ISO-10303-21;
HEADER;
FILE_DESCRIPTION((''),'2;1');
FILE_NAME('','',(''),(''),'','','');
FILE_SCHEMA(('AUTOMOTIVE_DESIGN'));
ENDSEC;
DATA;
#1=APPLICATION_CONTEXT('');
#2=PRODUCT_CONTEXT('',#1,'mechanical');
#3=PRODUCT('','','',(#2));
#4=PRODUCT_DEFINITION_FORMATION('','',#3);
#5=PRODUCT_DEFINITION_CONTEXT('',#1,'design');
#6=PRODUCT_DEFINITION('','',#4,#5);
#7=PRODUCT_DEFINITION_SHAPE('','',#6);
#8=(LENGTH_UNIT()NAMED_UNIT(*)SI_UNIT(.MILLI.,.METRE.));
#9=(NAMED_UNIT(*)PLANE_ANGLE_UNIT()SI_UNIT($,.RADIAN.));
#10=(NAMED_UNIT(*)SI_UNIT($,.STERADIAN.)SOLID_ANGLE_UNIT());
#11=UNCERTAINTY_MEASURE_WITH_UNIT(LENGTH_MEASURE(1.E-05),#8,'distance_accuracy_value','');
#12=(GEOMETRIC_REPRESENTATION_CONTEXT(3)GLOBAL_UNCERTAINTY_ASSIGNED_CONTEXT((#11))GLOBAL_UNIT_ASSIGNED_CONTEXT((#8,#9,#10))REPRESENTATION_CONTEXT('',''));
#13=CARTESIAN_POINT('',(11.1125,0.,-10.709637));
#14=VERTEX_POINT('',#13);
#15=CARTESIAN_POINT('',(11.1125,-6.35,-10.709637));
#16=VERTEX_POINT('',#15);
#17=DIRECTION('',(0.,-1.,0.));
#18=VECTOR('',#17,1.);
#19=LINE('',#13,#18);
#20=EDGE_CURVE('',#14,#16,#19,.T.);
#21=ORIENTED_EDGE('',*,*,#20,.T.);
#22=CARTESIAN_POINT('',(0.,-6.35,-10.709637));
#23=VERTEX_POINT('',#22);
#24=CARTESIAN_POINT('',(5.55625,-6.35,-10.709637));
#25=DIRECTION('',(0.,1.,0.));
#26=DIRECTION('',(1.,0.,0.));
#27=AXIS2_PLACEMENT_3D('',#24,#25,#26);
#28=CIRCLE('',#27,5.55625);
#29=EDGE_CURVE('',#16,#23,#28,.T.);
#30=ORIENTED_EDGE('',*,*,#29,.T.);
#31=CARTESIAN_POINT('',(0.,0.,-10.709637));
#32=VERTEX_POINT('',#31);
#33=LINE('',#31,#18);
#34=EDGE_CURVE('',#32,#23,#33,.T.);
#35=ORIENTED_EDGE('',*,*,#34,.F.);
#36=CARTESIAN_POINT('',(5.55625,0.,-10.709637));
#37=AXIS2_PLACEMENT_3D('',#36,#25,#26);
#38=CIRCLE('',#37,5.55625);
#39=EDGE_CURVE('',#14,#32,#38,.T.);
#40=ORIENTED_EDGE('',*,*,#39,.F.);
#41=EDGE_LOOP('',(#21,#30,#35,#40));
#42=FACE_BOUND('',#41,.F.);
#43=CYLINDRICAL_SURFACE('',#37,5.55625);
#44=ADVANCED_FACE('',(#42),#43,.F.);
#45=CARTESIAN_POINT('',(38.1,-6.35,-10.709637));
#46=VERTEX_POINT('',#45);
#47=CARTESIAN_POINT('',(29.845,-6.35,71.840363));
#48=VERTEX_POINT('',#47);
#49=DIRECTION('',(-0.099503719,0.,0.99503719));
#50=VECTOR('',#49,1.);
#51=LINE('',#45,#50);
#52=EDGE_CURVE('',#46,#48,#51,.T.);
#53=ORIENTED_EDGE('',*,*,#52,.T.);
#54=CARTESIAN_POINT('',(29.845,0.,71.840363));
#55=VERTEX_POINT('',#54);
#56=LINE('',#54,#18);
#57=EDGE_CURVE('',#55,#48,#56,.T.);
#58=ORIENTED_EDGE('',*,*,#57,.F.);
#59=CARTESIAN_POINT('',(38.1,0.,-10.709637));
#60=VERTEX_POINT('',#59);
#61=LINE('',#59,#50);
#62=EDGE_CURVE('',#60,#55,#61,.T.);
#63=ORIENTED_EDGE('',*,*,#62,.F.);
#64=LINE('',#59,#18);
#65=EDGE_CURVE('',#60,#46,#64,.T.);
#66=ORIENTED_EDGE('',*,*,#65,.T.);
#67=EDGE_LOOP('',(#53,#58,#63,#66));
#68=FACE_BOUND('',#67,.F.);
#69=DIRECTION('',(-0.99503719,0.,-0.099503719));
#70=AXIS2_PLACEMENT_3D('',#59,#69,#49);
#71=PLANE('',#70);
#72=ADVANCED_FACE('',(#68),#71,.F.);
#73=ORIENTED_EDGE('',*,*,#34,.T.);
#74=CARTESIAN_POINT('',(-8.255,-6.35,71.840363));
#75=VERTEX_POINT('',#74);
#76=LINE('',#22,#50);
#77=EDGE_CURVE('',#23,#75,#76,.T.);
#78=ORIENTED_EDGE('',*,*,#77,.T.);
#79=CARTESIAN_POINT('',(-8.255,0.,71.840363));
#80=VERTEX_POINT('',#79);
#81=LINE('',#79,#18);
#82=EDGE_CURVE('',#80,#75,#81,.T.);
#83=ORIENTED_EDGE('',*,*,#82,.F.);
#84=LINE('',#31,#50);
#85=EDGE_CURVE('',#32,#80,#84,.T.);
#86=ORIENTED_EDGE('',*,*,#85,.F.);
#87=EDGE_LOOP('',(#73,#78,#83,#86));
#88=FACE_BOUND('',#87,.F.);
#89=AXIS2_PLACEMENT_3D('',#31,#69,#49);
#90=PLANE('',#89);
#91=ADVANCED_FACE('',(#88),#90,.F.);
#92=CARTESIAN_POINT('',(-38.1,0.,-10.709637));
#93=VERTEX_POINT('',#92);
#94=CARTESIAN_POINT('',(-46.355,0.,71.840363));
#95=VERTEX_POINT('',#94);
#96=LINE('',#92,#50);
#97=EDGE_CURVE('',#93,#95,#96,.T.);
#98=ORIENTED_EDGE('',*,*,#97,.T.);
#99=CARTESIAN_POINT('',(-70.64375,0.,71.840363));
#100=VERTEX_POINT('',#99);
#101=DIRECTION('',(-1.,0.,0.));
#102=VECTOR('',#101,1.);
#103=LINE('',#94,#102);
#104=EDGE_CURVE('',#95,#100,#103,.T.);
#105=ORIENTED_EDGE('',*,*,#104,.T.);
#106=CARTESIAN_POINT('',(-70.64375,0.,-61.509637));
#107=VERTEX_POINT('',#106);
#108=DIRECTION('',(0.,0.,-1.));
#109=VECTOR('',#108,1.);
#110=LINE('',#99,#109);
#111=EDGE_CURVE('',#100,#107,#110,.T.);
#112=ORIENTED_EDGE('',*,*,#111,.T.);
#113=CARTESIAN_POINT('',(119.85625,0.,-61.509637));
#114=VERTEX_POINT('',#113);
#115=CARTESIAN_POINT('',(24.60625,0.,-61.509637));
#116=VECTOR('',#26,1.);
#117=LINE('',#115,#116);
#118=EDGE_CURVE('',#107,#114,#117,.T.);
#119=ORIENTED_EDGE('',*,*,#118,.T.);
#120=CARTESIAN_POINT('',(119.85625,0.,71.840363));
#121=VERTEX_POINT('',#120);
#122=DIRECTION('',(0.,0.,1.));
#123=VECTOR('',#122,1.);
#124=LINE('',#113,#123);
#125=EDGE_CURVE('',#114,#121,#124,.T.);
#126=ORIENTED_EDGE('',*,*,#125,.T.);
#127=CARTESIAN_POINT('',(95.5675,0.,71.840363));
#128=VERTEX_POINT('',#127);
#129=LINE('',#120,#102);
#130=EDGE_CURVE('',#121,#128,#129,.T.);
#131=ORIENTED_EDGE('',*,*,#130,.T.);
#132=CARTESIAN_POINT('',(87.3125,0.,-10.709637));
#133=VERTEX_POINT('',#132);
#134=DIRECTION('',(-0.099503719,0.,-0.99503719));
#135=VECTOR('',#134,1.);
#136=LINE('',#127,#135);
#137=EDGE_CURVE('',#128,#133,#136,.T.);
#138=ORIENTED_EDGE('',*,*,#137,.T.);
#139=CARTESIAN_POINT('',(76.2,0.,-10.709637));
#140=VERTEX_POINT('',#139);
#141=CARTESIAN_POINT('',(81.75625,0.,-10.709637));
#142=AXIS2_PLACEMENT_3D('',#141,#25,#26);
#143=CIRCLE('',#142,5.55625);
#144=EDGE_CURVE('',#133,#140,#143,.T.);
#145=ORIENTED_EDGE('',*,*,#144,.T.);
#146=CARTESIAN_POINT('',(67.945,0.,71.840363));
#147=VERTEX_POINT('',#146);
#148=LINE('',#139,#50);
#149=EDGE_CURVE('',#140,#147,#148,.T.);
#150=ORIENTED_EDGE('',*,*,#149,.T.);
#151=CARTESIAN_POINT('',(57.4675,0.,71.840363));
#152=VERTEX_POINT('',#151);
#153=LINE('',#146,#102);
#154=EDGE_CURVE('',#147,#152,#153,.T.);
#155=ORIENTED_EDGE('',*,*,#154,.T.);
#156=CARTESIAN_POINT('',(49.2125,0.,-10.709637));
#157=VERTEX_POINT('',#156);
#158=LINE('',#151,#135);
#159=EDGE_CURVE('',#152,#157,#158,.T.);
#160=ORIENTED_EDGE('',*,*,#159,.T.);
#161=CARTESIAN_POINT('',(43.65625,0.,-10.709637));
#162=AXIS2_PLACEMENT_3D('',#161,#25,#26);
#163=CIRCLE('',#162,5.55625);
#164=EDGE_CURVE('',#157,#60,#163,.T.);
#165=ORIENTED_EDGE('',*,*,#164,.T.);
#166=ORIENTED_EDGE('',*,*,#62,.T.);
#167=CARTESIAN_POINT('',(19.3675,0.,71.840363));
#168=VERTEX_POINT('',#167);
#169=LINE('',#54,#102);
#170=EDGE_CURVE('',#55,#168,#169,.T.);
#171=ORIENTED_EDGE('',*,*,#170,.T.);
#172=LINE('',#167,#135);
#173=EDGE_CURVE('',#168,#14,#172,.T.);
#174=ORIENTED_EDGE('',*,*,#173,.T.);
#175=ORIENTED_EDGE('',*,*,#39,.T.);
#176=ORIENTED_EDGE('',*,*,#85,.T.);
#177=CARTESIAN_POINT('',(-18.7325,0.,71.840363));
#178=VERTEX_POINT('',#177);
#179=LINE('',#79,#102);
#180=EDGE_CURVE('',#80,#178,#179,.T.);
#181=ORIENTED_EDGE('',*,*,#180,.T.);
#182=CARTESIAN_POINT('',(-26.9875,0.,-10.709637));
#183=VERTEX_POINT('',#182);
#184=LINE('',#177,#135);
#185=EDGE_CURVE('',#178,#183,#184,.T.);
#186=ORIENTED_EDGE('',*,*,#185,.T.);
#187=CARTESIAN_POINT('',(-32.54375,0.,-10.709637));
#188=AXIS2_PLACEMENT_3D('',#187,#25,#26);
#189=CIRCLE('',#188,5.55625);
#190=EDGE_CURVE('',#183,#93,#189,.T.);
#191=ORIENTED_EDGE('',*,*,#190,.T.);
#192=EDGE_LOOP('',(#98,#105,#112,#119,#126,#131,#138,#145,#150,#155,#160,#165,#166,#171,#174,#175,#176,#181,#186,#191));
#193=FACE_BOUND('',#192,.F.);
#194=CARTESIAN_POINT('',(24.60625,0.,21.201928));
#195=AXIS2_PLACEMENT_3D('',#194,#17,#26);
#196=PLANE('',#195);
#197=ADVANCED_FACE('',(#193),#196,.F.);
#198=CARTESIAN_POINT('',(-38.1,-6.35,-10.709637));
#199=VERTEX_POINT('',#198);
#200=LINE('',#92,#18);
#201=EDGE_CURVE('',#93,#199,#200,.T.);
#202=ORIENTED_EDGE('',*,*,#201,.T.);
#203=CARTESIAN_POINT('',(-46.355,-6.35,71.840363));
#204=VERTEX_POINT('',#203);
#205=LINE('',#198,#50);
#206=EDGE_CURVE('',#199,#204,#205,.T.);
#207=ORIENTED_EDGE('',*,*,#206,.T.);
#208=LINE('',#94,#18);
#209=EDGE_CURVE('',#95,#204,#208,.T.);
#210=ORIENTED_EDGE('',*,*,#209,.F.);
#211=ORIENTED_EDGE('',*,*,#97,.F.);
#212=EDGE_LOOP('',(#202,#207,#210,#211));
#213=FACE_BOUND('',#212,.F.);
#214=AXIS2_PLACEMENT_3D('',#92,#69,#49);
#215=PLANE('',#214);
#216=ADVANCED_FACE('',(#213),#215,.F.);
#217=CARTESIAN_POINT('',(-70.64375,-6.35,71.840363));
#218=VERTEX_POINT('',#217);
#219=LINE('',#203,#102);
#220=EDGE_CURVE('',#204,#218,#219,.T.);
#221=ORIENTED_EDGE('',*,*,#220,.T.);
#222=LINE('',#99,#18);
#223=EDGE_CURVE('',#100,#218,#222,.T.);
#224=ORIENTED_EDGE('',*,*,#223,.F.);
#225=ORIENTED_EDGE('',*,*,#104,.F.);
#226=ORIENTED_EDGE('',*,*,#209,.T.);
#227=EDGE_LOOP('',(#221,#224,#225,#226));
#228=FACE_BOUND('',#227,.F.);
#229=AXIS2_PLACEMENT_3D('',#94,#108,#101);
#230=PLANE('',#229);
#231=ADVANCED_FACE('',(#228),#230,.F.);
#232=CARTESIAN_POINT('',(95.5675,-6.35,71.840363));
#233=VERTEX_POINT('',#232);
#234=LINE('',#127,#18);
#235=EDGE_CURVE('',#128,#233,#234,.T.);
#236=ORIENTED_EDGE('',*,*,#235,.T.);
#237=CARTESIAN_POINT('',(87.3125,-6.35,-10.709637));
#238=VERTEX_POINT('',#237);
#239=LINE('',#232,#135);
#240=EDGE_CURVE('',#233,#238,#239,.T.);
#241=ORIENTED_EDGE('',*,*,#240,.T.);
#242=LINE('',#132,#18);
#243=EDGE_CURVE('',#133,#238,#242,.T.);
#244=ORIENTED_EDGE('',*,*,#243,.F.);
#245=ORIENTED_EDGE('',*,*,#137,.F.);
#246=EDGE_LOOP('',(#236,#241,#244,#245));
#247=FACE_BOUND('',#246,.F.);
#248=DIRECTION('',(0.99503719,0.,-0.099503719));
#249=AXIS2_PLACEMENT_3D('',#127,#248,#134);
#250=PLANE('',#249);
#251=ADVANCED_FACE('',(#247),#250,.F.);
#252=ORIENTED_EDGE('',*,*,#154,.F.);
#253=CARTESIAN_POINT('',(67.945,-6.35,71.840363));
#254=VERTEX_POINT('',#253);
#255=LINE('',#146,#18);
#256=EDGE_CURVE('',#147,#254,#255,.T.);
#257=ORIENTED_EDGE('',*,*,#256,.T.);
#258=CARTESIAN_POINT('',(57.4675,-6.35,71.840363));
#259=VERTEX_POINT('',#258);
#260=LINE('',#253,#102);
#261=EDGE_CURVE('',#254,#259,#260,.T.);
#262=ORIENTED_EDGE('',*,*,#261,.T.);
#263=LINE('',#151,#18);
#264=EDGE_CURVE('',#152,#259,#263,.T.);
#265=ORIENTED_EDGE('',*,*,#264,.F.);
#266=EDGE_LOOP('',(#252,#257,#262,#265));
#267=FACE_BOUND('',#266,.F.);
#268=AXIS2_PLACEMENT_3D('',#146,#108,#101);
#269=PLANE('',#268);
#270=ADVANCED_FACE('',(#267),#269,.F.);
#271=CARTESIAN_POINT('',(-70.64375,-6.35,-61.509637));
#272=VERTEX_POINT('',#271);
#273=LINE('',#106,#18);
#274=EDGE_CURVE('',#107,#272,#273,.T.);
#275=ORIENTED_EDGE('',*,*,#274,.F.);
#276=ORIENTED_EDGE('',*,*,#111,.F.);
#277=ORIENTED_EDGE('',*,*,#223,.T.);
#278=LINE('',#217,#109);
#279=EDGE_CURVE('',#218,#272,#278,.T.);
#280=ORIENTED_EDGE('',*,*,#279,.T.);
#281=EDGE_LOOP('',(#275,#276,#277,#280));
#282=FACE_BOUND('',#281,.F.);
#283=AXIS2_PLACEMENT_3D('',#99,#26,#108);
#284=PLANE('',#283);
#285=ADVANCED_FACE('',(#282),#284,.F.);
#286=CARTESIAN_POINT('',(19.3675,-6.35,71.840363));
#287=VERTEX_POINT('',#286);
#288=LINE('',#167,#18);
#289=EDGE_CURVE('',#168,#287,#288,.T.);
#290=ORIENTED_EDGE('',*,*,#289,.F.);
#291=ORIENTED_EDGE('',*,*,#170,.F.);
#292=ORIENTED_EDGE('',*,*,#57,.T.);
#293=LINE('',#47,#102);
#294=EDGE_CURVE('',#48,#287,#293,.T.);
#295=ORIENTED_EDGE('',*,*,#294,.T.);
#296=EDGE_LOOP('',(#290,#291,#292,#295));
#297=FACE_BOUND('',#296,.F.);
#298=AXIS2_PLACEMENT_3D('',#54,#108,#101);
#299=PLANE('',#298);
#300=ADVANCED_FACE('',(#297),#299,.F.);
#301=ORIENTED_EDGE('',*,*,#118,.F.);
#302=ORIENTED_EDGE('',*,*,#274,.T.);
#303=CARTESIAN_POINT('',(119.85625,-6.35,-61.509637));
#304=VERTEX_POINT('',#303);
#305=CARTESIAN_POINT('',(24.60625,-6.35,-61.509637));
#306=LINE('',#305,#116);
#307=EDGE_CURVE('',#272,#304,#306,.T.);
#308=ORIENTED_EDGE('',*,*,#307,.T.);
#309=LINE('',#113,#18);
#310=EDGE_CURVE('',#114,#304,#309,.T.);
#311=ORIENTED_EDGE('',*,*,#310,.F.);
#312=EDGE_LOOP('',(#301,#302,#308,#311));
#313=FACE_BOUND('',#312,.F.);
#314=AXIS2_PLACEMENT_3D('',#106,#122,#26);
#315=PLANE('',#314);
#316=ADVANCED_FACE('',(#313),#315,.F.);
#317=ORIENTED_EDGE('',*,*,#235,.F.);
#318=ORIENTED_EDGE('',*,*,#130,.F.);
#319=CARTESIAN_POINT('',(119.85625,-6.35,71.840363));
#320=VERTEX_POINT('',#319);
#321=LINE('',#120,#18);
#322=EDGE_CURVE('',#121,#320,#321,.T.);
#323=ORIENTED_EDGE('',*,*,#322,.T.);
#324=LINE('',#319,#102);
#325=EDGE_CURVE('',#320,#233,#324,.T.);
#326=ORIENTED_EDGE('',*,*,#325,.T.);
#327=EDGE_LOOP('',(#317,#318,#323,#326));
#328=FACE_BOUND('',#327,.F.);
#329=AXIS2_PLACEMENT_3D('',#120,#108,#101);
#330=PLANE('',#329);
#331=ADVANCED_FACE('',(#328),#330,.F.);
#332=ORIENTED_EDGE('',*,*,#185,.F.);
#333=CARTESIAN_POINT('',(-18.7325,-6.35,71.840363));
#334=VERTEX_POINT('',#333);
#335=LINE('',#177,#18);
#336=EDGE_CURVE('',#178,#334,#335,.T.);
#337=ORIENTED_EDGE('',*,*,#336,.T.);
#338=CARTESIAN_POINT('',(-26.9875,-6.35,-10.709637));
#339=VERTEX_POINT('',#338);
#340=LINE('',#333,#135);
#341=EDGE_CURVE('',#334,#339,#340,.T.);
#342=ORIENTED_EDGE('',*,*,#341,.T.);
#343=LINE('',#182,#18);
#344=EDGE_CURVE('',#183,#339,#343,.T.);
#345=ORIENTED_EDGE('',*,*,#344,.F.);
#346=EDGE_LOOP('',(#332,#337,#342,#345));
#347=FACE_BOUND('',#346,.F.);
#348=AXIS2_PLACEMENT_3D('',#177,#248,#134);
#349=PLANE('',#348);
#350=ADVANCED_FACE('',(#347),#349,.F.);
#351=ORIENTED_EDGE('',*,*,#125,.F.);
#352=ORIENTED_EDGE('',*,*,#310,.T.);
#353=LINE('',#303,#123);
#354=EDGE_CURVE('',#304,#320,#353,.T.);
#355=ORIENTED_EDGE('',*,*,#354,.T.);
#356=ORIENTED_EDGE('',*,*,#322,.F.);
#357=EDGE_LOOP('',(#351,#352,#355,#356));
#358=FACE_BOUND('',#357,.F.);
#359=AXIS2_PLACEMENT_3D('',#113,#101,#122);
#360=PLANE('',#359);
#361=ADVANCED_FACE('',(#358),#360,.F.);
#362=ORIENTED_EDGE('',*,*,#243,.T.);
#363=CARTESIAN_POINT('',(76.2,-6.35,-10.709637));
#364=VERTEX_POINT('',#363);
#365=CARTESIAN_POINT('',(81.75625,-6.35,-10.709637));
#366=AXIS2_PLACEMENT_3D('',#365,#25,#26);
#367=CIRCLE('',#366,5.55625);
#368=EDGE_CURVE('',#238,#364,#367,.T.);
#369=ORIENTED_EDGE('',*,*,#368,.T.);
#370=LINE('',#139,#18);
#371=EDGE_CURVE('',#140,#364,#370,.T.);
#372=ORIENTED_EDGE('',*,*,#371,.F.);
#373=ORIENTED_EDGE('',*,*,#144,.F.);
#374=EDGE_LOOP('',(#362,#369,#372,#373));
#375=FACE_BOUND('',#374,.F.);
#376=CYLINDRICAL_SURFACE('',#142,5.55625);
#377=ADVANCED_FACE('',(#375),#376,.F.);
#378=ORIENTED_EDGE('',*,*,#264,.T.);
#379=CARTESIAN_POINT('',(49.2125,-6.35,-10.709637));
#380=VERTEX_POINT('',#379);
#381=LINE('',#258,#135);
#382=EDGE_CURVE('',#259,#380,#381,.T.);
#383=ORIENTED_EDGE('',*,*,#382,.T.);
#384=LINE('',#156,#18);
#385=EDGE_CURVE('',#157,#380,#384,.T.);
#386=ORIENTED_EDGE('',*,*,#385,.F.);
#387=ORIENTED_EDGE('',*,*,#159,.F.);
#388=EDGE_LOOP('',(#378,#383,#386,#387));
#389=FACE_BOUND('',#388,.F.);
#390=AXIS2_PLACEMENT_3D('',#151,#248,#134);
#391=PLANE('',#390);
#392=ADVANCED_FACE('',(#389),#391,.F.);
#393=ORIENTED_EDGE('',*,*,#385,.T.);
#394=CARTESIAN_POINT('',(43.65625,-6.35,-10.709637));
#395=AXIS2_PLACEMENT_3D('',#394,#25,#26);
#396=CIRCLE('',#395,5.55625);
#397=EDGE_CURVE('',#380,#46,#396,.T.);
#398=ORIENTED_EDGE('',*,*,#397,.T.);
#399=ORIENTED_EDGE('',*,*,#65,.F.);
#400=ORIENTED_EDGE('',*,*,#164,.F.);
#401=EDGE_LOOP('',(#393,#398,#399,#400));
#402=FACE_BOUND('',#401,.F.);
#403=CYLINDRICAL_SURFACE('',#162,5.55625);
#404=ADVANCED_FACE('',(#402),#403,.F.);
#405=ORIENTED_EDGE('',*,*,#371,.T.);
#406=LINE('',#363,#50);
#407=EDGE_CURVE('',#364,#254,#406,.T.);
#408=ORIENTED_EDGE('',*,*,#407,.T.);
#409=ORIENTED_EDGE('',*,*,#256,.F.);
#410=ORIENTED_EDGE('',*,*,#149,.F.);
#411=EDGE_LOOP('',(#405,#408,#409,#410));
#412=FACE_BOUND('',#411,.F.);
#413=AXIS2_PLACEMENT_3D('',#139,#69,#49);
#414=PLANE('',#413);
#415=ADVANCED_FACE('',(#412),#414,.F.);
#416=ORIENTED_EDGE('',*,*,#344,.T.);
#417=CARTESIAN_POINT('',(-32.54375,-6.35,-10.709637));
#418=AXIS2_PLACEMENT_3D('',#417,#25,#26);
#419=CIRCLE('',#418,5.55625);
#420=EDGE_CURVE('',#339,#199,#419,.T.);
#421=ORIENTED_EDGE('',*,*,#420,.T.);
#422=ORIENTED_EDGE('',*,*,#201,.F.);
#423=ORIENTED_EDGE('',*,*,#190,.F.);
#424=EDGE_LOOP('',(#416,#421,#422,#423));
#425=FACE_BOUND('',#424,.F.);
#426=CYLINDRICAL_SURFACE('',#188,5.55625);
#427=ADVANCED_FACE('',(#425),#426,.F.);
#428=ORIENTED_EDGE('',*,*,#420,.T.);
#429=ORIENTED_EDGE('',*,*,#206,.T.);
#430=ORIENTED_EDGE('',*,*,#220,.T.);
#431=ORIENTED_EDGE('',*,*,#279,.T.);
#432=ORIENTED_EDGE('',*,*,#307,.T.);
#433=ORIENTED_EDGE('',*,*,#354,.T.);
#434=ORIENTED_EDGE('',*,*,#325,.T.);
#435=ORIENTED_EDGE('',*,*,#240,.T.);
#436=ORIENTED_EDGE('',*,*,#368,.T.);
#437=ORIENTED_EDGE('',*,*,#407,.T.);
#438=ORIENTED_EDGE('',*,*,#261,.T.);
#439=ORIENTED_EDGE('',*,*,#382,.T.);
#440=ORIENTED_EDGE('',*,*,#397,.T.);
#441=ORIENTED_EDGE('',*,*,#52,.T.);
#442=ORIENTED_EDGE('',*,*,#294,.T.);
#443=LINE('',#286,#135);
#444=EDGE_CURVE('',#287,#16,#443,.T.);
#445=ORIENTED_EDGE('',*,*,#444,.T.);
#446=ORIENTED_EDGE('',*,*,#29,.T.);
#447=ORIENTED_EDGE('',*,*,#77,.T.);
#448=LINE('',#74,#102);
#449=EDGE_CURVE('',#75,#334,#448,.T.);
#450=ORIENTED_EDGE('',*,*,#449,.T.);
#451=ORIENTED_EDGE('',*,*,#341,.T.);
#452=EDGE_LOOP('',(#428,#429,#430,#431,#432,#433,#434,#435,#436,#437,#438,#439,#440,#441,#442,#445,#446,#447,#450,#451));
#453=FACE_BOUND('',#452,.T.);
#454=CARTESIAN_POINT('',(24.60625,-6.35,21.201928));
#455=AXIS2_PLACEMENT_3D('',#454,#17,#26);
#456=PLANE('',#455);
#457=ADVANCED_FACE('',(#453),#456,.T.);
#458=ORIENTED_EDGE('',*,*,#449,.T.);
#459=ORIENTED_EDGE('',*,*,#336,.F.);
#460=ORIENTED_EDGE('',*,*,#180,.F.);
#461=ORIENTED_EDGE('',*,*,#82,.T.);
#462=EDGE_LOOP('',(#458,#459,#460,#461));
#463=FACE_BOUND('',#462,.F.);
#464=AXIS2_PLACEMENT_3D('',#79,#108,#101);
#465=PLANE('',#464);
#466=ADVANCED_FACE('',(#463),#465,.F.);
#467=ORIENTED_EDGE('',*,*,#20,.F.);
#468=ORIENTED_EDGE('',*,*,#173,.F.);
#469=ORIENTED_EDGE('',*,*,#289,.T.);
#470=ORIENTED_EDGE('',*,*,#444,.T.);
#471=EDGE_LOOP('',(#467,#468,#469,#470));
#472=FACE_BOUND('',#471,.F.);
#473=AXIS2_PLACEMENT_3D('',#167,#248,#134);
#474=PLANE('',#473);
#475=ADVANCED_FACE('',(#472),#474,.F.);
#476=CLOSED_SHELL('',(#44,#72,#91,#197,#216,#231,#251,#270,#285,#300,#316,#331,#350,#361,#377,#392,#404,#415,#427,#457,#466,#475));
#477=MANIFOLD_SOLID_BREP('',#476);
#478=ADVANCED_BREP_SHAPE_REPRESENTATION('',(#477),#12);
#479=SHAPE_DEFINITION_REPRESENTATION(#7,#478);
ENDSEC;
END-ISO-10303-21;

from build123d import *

# Parameters (mm, degrees)
F0_W     = 190.5
F0_H     = 38.1
F1_DEPTH = 6.35


with BuildPart() as f1:
    # F0 (on Front) → F1 (new body)
    with BuildSketch(Plane.XZ):
        with BuildLine():
            Line((-70.64375, 21.040363), (-70.64375, -23.409637))
            Line((-70.64375, -23.409637), (119.85625, -23.409637))
            Line((119.85625, -23.409637), (119.85625, 21.040363))
            Line((119.85625, 21.040363), (119.85625, 71.840363))
            Line((119.85625, 71.840363), (95.5675, 71.840363))
            Line((95.5675, 71.840363), (90.4875, 21.040363))
            Line((90.4875, 21.040363), (87.3125, -10.709637))
            ThreePointArc((87.3125, -10.709637), (81.75625, -16.265887), (76.2, -10.709637))
            Line((76.2, -10.709637), (73.025, 21.040363))
            Line((73.025, 21.040363), (67.945, 71.840363))
            Line((67.945, 71.840363), (57.4675, 71.840363))
            Line((57.4675, 71.840363), (52.3875, 21.040363))
            Line((52.3875, 21.040363), (49.2125, -10.709637))
            ThreePointArc((49.2125, -10.709637), (43.65625, -16.265887), (38.1, -10.709637))
            Line((38.1, -10.709637), (34.925, 21.040363))
            Line((34.925, 21.040363), (29.845, 71.840363))
            Line((29.845, 71.840363), (19.3675, 71.840363))
            Line((19.3675, 71.840363), (14.2875, 21.040363))
            Line((14.2875, 21.040363), (11.1125, -10.709637))
            ThreePointArc((11.1125, -10.709637), (5.55625, -16.265887), (0, -10.709637))
            Line((0, -10.709637), (-3.175, 21.040363))
            Line((-3.175, 21.040363), (-8.255, 71.840363))
            Line((-8.255, 71.840363), (-18.7325, 71.840363))
            Line((-18.7325, 71.840363), (-23.8125, 21.040363))
            Line((-23.8125, 21.040363), (-26.9875, -10.709637))
            ThreePointArc((-26.9875, -10.709637), (-32.54375, -16.265887), (-38.1, -10.709637))
            Line((-38.1, -10.709637), (-41.275, 21.040363))
            Line((-41.275, 21.040363), (-46.355, 71.840363))
            Line((-46.355, 71.840363), (-70.64375, 71.840363))
            Line((-70.64375, 71.840363), (-70.64375, 21.040363))
        make_face()
        with Locations((24.60625, -42.459637)):
            Rectangle(F0_W, F0_H)
    extrude(amount=F1_DEPTH)


solid = f1.part
